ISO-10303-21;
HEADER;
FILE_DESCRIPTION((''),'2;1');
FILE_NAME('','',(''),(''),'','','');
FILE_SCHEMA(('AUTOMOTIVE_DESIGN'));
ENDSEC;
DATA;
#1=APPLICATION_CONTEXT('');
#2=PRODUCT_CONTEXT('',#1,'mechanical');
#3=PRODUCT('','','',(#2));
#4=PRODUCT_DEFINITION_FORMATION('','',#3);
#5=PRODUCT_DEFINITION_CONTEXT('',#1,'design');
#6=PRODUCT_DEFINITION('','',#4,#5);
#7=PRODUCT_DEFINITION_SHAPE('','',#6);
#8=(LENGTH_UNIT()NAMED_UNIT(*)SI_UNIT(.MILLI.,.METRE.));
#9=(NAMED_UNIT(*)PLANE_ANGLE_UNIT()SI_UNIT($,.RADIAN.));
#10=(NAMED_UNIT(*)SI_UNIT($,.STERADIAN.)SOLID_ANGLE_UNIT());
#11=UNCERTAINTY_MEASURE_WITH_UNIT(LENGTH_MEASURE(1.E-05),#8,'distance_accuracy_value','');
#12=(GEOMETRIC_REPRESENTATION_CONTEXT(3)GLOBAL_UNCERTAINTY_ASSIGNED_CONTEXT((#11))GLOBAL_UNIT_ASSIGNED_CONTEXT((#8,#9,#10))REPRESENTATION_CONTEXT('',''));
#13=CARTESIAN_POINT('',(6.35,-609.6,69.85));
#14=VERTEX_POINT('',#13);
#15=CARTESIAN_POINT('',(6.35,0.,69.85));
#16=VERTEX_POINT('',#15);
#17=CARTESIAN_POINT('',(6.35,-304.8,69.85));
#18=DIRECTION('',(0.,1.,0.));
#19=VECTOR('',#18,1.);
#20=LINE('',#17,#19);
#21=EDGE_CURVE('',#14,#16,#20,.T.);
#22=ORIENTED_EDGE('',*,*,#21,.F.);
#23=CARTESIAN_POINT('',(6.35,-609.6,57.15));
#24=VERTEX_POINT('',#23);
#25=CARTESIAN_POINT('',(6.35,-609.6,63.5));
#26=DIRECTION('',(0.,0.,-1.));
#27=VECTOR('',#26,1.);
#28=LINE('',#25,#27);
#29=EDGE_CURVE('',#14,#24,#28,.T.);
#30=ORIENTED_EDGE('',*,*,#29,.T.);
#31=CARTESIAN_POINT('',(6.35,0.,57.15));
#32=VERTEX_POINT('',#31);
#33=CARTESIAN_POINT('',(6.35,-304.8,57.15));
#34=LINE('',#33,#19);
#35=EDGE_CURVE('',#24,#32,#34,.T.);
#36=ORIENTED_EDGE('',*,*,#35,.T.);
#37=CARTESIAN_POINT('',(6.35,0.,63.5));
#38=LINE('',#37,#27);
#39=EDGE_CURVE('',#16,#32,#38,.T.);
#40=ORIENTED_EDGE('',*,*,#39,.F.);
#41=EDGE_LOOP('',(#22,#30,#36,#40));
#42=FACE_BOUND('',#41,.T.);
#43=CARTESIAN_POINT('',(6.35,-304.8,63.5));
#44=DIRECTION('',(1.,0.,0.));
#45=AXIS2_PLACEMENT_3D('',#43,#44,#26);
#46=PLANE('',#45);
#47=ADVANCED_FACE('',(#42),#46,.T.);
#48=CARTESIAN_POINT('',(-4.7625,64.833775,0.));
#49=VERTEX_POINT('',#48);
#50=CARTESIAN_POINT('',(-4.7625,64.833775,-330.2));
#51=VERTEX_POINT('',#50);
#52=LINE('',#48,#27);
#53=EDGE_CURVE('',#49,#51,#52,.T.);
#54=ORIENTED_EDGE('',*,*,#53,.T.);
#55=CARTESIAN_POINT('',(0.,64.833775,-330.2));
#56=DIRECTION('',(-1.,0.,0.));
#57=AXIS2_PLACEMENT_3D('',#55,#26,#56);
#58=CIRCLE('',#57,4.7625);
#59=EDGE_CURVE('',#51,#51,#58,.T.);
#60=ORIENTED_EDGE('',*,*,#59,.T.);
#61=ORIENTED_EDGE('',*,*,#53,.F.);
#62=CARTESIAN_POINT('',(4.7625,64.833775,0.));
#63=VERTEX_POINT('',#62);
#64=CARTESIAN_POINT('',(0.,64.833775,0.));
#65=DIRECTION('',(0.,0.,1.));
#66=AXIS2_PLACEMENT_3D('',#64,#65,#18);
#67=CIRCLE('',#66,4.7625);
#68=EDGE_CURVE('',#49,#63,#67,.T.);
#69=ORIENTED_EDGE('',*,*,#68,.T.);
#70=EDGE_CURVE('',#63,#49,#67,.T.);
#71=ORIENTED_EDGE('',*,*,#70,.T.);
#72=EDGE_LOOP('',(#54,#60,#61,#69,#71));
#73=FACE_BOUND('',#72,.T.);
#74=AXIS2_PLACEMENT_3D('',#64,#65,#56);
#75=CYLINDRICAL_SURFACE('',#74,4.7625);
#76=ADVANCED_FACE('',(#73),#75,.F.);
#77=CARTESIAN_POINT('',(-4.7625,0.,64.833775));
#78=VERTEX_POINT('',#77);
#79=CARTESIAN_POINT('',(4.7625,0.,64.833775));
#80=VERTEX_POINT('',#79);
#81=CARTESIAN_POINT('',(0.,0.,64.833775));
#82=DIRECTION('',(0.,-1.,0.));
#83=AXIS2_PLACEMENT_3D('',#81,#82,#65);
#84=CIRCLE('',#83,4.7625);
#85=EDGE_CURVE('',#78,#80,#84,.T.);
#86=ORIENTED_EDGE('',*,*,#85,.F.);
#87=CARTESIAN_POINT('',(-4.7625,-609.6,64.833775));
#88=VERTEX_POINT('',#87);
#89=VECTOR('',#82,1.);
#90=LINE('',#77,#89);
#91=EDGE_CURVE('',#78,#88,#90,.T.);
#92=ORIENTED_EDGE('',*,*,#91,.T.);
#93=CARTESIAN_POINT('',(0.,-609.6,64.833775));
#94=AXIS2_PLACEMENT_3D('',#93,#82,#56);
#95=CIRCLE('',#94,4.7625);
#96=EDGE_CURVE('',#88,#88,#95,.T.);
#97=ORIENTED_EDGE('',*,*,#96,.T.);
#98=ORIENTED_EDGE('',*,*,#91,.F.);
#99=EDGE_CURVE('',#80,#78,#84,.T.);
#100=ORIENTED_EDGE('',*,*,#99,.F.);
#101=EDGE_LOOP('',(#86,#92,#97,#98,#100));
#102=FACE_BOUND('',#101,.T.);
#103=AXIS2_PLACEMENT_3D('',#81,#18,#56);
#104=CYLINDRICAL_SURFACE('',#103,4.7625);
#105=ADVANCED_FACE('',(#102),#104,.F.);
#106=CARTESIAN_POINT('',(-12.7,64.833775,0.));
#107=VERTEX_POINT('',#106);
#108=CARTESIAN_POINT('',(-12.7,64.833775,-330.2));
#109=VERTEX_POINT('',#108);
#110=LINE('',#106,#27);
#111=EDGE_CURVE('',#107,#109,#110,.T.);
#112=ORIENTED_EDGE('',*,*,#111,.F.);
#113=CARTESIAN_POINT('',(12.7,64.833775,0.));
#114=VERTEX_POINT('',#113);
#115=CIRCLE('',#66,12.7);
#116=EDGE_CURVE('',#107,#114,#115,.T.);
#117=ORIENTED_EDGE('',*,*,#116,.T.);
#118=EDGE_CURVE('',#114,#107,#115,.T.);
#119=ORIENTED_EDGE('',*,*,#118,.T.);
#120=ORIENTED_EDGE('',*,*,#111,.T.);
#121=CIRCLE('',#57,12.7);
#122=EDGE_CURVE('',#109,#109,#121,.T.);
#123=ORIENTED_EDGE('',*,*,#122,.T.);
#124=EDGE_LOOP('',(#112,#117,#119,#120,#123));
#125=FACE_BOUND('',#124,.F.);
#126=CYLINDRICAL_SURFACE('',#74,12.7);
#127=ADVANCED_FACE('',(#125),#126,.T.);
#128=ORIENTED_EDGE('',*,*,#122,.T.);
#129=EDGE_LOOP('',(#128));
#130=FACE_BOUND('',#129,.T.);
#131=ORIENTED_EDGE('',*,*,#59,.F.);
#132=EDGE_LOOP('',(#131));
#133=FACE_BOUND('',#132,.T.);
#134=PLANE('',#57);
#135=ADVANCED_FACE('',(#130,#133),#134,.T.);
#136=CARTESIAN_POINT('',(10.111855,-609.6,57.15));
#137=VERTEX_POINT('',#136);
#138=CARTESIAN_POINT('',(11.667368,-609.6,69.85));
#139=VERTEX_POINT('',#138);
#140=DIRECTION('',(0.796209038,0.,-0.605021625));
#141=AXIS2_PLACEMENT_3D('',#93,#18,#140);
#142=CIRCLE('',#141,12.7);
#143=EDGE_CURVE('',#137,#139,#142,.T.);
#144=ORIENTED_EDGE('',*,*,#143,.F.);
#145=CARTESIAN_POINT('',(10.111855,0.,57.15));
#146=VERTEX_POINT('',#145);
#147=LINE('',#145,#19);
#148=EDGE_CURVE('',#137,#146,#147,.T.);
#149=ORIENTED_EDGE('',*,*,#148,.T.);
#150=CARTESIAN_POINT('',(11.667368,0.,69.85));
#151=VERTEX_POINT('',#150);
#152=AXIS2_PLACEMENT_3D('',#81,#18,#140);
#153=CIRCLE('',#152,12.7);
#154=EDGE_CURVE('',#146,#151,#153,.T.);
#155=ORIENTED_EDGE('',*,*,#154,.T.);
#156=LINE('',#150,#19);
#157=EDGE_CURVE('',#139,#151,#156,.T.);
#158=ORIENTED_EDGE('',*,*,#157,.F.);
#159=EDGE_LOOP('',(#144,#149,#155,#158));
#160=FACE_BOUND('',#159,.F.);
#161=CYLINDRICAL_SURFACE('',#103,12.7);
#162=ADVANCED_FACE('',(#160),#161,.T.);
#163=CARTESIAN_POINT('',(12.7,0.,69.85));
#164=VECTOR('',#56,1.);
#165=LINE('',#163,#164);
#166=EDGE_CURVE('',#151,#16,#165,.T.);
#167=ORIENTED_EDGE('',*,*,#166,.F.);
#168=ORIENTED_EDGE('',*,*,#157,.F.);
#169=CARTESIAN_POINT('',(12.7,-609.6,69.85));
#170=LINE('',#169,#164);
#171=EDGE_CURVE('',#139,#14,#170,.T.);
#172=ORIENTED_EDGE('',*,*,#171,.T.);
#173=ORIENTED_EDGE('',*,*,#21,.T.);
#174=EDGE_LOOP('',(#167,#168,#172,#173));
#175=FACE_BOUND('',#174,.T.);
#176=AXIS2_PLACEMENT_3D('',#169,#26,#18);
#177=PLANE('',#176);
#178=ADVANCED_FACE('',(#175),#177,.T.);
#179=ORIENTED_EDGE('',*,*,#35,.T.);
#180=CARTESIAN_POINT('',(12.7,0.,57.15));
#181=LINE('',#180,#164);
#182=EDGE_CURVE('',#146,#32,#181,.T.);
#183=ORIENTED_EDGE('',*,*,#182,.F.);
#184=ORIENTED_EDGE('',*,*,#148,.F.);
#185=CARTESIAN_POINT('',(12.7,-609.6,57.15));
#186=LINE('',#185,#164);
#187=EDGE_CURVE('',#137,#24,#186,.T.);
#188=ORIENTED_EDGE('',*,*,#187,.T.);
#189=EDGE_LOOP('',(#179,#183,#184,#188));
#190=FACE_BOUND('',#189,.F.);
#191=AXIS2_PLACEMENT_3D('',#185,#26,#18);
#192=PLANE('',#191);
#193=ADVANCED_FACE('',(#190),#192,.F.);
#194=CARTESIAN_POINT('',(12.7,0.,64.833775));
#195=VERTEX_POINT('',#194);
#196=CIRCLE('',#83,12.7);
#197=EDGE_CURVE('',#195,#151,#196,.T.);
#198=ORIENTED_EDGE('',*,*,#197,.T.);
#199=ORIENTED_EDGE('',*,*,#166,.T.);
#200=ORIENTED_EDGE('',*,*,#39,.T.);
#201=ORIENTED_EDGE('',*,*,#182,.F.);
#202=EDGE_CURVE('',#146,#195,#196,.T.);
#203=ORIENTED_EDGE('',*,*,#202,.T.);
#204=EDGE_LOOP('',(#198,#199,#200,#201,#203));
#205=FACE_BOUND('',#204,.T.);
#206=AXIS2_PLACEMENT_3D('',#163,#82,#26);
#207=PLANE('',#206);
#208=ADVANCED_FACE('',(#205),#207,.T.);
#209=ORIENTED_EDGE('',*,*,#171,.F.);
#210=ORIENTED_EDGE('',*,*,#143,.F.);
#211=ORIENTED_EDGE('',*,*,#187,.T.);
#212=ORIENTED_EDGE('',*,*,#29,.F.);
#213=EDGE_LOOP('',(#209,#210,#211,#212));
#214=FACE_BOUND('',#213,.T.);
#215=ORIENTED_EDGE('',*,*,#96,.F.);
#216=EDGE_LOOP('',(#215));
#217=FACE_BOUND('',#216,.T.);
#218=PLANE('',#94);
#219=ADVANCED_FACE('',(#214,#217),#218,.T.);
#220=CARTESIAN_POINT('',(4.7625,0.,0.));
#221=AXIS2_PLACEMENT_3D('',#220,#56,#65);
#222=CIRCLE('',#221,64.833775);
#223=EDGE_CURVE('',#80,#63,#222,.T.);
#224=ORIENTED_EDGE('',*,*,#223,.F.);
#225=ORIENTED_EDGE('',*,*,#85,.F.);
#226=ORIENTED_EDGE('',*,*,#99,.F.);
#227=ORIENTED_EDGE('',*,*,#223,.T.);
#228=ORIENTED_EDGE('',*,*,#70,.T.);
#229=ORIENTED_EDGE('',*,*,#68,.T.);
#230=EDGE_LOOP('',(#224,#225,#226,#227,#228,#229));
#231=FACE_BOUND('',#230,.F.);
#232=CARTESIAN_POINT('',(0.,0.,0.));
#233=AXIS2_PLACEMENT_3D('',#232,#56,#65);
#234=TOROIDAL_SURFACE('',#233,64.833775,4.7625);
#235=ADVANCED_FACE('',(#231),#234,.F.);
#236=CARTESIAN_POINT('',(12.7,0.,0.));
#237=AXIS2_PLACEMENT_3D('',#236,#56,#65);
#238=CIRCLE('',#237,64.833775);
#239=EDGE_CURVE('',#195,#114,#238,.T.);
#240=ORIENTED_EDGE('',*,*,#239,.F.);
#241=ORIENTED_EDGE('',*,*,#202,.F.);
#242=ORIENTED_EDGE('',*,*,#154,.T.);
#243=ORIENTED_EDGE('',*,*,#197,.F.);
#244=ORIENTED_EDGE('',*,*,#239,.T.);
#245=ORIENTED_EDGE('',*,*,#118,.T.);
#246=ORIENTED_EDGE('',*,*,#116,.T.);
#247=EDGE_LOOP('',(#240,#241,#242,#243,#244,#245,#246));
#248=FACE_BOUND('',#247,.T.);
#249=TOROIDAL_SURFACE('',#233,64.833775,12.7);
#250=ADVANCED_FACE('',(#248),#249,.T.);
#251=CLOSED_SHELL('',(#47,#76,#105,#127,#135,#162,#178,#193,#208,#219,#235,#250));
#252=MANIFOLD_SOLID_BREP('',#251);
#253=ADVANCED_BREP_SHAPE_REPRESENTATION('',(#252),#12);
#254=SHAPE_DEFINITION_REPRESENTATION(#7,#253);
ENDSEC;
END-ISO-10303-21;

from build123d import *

# Parameters (mm, degrees)
SKETCH3_R           = 12.7
SKETCH3_R_2         = 4.7625
SKETCH4_R           = 12.7
SKETCH4_R_2         = 4.7625
BOSS_EXTRUDE3_DEPTH = 609.6
SKETCH5_R           = 12.7
SKETCH5_R_2         = 4.7625
BOSS_EXTRUDE4_DEPTH = 330.2
SKETCH7_W           = 12.7
SKETCH7_H           = 609.6
CUT_EXTRUDE2_DEPTH  = 6.35


with BuildPart() as part:
    # Sweep1: sweep along a path in Sketch2
    with BuildLine(Plane(origin=(0, 0, 0), x_dir=(0, 0, -1), z_dir=(1, 0, 0))) as sweep1_path:
        ThreePointArc((-64.833774642, 0), (-45.844401699, 45.844401699), (0, 64.833774642))
    # Sketch3 → Sweep1 (sweep)
    with BuildSketch(Plane(origin=(0, 0, 0), x_dir=(1, 0, 0), z_dir=(0, 1, 0))):
        with Locations((0, -64.833774642)):
            Circle(SKETCH3_R)
        with Locations((0, -64.833774642)):
            Circle(SKETCH3_R_2, mode=Mode.SUBTRACT)
    sweep(path=sweep1_path.line)

    # Sketch4 → Boss-Extrude3 (add)
    with BuildSketch(Plane(origin=(0, 0, 0), x_dir=(-1, 0, 0), z_dir=(0, -1, 0))):
        with Locations((0, -64.833774642)):
            Circle(SKETCH4_R)
        with Locations((0, -64.833774642)):
            Circle(SKETCH4_R_2, mode=Mode.SUBTRACT)
    extrude(amount=BOSS_EXTRUDE3_DEPTH)

    # Sketch5 → Boss-Extrude4 (add)
    with BuildSketch(Plane(origin=(0, 0, 0), x_dir=(-1, 0, 0), z_dir=(0, 0, -1))):
        with Locations((0, 64.833774642)):
            Circle(SKETCH5_R)
        with Locations((0, 64.833774642)):
            Circle(SKETCH5_R_2, mode=Mode.SUBTRACT)
    extrude(amount=BOSS_EXTRUDE4_DEPTH)

    # Sketch7 → Cut-Extrude2 (cut)
    with BuildSketch(Plane(origin=(12.7, 0, 0), x_dir=(0, 0, -1), z_dir=(1, 0, 0))):
        with Locations((-63.5, -304.8)):
            Rectangle(SKETCH7_W, SKETCH7_H)
    extrude(amount=-CUT_EXTRUDE2_DEPTH, mode=Mode.SUBTRACT)


solid = part.part
